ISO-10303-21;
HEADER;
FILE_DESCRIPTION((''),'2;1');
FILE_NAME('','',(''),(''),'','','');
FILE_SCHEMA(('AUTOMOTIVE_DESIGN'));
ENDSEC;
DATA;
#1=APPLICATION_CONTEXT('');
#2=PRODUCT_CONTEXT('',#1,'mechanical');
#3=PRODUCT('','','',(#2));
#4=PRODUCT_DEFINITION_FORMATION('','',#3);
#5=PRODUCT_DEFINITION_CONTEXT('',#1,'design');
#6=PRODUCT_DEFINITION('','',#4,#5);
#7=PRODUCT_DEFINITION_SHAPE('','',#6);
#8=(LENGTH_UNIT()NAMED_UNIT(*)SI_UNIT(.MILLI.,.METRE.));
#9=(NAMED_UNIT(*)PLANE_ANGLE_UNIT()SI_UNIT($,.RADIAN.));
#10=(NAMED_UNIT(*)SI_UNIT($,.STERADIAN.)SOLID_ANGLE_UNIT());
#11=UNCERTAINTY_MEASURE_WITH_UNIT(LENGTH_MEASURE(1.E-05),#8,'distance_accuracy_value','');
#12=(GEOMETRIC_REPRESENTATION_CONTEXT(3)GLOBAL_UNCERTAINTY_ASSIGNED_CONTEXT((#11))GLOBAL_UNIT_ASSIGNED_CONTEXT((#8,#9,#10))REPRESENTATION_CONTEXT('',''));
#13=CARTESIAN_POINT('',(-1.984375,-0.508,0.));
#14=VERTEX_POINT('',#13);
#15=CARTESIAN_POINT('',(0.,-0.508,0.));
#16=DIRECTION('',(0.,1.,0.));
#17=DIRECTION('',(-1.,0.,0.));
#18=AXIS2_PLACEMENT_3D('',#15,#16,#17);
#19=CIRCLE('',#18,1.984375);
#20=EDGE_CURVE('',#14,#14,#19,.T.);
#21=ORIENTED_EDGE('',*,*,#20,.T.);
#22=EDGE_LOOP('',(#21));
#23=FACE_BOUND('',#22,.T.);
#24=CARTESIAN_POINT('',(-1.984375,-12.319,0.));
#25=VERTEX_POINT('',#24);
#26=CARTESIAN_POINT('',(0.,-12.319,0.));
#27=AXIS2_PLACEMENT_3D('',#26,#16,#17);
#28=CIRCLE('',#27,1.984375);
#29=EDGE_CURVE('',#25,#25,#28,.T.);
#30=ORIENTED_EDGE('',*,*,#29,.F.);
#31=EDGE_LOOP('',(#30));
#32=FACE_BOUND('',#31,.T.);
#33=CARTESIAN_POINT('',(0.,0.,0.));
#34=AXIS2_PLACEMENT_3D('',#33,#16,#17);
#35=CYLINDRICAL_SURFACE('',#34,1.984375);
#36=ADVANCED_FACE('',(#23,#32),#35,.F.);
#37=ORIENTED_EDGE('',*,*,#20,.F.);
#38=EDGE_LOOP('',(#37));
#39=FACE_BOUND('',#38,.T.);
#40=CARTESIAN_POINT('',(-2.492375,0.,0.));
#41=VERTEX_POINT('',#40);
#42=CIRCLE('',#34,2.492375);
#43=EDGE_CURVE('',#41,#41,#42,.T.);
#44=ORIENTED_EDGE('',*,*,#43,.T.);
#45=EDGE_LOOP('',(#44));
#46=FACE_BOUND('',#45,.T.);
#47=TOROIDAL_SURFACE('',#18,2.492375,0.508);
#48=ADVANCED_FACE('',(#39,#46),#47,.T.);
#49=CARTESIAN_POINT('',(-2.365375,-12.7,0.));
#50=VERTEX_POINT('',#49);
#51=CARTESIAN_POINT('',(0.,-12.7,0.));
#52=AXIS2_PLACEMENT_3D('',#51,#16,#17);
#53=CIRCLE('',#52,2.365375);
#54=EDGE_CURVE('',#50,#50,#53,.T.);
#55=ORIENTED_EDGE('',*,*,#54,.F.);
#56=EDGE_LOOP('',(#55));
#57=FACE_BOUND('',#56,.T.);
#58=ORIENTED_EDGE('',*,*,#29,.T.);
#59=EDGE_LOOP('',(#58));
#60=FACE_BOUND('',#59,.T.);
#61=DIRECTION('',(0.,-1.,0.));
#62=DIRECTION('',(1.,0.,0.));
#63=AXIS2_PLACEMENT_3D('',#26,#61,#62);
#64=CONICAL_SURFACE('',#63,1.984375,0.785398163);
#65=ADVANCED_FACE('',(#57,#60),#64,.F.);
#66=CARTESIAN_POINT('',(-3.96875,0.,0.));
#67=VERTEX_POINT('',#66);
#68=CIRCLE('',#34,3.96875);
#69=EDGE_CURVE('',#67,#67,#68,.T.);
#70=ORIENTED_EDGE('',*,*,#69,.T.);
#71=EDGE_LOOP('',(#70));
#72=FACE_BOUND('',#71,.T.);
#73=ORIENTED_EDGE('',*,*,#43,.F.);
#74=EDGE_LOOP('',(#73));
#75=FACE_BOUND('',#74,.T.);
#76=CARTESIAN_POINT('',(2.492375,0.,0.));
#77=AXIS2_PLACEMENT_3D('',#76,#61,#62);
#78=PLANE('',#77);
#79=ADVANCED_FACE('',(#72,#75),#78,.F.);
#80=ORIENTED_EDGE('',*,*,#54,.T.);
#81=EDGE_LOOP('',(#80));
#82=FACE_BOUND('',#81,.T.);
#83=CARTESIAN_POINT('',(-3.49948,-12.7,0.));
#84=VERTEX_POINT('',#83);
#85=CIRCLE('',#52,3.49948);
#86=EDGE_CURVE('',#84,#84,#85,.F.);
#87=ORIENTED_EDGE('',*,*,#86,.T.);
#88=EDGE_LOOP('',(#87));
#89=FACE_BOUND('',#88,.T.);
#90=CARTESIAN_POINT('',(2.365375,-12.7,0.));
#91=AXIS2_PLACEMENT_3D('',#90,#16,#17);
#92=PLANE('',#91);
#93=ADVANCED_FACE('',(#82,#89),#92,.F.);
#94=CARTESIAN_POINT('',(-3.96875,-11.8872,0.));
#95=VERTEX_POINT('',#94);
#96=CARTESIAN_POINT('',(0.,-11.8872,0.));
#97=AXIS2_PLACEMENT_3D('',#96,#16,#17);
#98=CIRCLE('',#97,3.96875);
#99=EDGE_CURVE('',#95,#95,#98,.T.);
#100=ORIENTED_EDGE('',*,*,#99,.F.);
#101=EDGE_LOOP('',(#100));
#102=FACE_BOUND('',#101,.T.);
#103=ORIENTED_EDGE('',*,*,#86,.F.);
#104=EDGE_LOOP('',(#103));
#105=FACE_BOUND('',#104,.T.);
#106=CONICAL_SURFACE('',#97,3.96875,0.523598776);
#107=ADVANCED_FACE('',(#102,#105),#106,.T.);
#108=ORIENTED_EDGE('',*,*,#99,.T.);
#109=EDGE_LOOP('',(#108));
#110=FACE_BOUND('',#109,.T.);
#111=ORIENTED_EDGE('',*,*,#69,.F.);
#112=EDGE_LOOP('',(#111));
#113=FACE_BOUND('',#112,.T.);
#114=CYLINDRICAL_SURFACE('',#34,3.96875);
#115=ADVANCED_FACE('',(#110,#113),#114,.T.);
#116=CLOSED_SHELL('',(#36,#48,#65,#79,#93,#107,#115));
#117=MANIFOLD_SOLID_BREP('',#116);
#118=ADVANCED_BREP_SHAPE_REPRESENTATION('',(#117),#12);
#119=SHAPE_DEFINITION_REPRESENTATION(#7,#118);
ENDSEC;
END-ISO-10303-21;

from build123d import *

# Parameters (mm, degrees)
CHAMFER1_SIZE  = 0.8128
CHAMFER1_SIZE2 = 0.469270299


with BuildPart() as part:
    # Sketch1 → BODY (revolve)
    with BuildSketch(Plane.XY, mode=Mode.PRIVATE) as body_sk:
        with BuildLine():
            Line((2.492375, 0), (3.96875, 0))
            Line((3.96875, 0), (3.96875, -12.7))
            Line((3.96875, -12.7), (2.365375, -12.7))
            Line((2.365375, -12.7), (1.984375, -12.319))
            Line((1.984375, -12.319), (1.984375, -0.508))
            ThreePointArc((1.984375, -0.508), (2.133164755, -0.148789755), (2.492375, 0))
        make_face()
    revolve(body_sk.sketch.rotate(Axis((0, 0, 0), (0, -1, 0)), 180), axis=Axis((0, 0, 0), (0, -1, 0)))

    # Chamfer1
    chamfer1_edges = [part.edges().sort_by_distance(p)[0] for p in [
        (3.96875, -12.7, 0),
    ]]
    chamfer1_side = [part.faces().sort_by_distance(p)[0] for p in [
        (3.96875, -6.35, 0),
    ]]
    chamfer(chamfer1_edges, length=CHAMFER1_SIZE, length2=CHAMFER1_SIZE2, reference=chamfer1_side[0])


solid = part.part
